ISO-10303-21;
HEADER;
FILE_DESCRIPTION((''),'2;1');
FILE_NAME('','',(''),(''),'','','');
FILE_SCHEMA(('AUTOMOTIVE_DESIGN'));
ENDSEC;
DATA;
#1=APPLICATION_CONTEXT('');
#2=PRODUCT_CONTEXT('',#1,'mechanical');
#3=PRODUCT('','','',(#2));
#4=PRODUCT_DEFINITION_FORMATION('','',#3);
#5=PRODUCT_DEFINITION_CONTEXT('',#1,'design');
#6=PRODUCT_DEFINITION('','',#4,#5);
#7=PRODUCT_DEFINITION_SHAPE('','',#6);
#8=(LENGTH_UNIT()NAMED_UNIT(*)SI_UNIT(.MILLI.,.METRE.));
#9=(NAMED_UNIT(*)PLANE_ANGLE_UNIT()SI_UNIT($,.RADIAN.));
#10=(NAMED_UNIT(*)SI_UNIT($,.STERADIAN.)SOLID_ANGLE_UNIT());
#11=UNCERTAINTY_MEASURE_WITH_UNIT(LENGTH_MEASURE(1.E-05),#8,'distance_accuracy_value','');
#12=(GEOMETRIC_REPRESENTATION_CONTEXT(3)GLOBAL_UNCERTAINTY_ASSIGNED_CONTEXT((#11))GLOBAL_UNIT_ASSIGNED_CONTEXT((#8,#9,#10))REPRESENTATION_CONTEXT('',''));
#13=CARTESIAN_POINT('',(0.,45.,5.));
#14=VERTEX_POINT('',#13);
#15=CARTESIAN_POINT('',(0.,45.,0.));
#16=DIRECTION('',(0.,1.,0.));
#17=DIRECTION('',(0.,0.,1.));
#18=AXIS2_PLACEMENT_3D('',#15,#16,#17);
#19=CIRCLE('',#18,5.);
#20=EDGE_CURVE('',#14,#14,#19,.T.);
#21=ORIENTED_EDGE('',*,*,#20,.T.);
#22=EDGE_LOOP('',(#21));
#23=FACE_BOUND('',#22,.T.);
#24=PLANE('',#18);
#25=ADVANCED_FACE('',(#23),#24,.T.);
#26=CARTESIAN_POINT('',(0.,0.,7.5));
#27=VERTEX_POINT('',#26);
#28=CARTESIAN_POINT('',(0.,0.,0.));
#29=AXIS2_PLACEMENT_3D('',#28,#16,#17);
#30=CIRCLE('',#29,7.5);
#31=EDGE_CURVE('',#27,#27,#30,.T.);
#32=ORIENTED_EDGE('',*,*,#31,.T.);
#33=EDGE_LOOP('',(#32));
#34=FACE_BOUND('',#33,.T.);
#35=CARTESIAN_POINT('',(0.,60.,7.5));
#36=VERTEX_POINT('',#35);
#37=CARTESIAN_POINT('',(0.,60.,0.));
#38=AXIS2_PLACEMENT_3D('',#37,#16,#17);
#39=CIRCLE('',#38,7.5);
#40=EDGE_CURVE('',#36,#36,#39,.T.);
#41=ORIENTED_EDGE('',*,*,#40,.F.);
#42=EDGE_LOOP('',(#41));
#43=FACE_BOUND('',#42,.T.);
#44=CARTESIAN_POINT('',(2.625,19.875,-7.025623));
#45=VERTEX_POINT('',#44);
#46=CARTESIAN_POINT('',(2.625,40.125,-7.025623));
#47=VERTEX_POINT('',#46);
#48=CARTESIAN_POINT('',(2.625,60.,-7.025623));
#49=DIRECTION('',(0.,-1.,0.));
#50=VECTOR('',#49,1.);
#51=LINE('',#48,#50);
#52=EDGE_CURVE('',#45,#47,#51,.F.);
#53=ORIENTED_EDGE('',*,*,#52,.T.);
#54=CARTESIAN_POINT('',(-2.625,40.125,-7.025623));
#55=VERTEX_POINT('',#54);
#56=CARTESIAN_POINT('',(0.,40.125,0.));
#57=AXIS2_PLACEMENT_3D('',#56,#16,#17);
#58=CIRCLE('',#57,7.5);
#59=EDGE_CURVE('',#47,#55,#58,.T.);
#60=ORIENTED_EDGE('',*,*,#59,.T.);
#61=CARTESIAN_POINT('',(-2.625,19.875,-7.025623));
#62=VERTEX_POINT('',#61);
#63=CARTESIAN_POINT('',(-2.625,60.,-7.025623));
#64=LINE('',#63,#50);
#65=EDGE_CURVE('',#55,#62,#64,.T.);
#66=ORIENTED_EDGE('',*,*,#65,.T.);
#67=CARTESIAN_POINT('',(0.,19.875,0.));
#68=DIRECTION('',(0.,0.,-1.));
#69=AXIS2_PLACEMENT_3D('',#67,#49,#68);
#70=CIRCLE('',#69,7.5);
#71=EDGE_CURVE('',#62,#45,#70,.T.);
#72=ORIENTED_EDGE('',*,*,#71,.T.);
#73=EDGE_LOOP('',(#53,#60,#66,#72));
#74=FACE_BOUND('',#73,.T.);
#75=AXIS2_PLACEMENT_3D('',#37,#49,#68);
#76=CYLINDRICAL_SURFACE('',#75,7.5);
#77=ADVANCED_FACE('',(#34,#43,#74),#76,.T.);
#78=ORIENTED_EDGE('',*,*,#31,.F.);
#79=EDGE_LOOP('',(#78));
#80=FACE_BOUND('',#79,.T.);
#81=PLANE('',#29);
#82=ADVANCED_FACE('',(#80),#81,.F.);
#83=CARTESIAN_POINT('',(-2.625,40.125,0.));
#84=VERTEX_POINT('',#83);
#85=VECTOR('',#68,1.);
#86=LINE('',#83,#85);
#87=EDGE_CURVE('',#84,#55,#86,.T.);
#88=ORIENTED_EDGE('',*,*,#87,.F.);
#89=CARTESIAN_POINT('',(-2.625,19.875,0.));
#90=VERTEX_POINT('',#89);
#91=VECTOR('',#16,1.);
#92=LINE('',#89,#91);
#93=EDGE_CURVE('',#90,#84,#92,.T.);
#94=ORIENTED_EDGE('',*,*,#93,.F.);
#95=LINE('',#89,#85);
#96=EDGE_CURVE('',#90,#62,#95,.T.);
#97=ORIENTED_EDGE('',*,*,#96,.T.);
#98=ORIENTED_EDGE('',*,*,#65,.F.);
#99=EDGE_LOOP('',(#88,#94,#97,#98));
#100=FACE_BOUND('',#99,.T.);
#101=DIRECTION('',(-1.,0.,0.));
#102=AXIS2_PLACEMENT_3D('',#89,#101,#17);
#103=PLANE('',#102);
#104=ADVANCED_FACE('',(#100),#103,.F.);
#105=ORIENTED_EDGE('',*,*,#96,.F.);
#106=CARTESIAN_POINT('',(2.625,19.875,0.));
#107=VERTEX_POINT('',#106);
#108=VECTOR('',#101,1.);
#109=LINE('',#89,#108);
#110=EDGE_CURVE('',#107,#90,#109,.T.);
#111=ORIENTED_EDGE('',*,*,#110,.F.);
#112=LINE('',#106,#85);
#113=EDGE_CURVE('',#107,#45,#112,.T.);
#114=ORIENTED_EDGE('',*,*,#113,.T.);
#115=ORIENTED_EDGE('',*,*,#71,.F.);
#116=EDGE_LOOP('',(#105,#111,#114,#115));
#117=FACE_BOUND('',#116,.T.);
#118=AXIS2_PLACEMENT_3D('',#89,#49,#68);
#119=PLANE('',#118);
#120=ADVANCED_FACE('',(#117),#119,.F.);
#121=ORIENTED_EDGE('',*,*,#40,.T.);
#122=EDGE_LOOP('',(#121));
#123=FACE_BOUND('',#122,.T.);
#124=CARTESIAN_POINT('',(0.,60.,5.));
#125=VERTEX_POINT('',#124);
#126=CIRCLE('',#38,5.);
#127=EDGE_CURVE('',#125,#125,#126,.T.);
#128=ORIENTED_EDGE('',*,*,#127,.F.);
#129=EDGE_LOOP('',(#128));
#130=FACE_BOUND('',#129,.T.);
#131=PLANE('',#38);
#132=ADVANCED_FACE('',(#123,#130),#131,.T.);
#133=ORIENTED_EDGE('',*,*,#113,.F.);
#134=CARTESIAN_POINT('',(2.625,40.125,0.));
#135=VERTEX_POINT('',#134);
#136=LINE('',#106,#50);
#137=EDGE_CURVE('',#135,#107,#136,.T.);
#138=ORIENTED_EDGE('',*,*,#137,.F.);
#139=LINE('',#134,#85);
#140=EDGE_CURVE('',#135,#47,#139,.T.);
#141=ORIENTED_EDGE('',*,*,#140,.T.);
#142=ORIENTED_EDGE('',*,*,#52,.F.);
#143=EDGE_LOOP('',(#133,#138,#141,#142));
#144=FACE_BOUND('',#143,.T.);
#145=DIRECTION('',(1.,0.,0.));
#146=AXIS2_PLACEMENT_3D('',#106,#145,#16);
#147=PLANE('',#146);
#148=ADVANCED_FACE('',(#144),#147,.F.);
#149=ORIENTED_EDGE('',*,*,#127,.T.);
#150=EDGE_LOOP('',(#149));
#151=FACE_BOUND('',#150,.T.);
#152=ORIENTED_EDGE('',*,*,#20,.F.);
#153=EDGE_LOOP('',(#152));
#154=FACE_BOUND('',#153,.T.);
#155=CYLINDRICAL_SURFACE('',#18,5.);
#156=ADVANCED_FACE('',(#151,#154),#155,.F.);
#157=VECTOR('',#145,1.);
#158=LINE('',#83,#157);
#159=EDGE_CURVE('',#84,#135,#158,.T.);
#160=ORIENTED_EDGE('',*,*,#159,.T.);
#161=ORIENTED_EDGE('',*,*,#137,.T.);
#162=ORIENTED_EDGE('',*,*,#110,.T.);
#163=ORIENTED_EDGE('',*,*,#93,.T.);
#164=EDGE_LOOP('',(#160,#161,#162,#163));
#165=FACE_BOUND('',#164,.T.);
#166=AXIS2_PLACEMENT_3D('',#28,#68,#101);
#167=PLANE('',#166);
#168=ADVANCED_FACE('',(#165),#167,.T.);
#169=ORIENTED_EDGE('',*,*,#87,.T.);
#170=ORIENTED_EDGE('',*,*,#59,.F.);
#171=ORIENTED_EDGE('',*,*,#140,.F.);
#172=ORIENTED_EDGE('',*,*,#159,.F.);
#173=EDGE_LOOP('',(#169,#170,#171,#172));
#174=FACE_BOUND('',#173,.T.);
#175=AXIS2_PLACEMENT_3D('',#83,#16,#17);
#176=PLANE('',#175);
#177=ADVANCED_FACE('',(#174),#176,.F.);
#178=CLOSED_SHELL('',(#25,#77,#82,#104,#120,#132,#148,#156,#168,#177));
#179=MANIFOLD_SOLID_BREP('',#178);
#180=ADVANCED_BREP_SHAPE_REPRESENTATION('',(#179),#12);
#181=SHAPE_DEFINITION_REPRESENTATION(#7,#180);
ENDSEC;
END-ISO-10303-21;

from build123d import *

# Parameters (mm, degrees)
SKETCH1_R           = 7.5
BOSS_EXTRUDE1_DEPTH = 60
SKETCH2_R           = 5
CUT_EXTRUDE1_DEPTH  = 15
SKETCH3_W           = 5.25
SKETCH3_H           = 20.25
CUT_EXTRUDE2_DEPTH  = 7.5


with BuildPart() as part:
    # Sketch1 → Boss-Extrude1 (new body)
    with BuildSketch(Plane(origin=(0, 0, 0), x_dir=(1, 0, 0), z_dir=(0, 1, 0))):
        Circle(SKETCH1_R)
    extrude(amount=BOSS_EXTRUDE1_DEPTH)

    # Sketch2 → Cut-Extrude1 (cut)
    with BuildSketch(Plane(origin=(0, 60, 0), x_dir=(1, 0, 0), z_dir=(0, 1, 0))):
        Circle(SKETCH2_R)
    extrude(amount=-CUT_EXTRUDE1_DEPTH, mode=Mode.SUBTRACT)

    # Sketch3 → Cut-Extrude2 (cut)
    with BuildSketch(Plane(origin=(0, 0, -7.5), x_dir=(-1, 0, 0), z_dir=(0, 0, -1))):
        with Locations((0, 30)):
            Rectangle(SKETCH3_W, SKETCH3_H)
    extrude(amount=-CUT_EXTRUDE2_DEPTH, mode=Mode.SUBTRACT)


solid = part.part
